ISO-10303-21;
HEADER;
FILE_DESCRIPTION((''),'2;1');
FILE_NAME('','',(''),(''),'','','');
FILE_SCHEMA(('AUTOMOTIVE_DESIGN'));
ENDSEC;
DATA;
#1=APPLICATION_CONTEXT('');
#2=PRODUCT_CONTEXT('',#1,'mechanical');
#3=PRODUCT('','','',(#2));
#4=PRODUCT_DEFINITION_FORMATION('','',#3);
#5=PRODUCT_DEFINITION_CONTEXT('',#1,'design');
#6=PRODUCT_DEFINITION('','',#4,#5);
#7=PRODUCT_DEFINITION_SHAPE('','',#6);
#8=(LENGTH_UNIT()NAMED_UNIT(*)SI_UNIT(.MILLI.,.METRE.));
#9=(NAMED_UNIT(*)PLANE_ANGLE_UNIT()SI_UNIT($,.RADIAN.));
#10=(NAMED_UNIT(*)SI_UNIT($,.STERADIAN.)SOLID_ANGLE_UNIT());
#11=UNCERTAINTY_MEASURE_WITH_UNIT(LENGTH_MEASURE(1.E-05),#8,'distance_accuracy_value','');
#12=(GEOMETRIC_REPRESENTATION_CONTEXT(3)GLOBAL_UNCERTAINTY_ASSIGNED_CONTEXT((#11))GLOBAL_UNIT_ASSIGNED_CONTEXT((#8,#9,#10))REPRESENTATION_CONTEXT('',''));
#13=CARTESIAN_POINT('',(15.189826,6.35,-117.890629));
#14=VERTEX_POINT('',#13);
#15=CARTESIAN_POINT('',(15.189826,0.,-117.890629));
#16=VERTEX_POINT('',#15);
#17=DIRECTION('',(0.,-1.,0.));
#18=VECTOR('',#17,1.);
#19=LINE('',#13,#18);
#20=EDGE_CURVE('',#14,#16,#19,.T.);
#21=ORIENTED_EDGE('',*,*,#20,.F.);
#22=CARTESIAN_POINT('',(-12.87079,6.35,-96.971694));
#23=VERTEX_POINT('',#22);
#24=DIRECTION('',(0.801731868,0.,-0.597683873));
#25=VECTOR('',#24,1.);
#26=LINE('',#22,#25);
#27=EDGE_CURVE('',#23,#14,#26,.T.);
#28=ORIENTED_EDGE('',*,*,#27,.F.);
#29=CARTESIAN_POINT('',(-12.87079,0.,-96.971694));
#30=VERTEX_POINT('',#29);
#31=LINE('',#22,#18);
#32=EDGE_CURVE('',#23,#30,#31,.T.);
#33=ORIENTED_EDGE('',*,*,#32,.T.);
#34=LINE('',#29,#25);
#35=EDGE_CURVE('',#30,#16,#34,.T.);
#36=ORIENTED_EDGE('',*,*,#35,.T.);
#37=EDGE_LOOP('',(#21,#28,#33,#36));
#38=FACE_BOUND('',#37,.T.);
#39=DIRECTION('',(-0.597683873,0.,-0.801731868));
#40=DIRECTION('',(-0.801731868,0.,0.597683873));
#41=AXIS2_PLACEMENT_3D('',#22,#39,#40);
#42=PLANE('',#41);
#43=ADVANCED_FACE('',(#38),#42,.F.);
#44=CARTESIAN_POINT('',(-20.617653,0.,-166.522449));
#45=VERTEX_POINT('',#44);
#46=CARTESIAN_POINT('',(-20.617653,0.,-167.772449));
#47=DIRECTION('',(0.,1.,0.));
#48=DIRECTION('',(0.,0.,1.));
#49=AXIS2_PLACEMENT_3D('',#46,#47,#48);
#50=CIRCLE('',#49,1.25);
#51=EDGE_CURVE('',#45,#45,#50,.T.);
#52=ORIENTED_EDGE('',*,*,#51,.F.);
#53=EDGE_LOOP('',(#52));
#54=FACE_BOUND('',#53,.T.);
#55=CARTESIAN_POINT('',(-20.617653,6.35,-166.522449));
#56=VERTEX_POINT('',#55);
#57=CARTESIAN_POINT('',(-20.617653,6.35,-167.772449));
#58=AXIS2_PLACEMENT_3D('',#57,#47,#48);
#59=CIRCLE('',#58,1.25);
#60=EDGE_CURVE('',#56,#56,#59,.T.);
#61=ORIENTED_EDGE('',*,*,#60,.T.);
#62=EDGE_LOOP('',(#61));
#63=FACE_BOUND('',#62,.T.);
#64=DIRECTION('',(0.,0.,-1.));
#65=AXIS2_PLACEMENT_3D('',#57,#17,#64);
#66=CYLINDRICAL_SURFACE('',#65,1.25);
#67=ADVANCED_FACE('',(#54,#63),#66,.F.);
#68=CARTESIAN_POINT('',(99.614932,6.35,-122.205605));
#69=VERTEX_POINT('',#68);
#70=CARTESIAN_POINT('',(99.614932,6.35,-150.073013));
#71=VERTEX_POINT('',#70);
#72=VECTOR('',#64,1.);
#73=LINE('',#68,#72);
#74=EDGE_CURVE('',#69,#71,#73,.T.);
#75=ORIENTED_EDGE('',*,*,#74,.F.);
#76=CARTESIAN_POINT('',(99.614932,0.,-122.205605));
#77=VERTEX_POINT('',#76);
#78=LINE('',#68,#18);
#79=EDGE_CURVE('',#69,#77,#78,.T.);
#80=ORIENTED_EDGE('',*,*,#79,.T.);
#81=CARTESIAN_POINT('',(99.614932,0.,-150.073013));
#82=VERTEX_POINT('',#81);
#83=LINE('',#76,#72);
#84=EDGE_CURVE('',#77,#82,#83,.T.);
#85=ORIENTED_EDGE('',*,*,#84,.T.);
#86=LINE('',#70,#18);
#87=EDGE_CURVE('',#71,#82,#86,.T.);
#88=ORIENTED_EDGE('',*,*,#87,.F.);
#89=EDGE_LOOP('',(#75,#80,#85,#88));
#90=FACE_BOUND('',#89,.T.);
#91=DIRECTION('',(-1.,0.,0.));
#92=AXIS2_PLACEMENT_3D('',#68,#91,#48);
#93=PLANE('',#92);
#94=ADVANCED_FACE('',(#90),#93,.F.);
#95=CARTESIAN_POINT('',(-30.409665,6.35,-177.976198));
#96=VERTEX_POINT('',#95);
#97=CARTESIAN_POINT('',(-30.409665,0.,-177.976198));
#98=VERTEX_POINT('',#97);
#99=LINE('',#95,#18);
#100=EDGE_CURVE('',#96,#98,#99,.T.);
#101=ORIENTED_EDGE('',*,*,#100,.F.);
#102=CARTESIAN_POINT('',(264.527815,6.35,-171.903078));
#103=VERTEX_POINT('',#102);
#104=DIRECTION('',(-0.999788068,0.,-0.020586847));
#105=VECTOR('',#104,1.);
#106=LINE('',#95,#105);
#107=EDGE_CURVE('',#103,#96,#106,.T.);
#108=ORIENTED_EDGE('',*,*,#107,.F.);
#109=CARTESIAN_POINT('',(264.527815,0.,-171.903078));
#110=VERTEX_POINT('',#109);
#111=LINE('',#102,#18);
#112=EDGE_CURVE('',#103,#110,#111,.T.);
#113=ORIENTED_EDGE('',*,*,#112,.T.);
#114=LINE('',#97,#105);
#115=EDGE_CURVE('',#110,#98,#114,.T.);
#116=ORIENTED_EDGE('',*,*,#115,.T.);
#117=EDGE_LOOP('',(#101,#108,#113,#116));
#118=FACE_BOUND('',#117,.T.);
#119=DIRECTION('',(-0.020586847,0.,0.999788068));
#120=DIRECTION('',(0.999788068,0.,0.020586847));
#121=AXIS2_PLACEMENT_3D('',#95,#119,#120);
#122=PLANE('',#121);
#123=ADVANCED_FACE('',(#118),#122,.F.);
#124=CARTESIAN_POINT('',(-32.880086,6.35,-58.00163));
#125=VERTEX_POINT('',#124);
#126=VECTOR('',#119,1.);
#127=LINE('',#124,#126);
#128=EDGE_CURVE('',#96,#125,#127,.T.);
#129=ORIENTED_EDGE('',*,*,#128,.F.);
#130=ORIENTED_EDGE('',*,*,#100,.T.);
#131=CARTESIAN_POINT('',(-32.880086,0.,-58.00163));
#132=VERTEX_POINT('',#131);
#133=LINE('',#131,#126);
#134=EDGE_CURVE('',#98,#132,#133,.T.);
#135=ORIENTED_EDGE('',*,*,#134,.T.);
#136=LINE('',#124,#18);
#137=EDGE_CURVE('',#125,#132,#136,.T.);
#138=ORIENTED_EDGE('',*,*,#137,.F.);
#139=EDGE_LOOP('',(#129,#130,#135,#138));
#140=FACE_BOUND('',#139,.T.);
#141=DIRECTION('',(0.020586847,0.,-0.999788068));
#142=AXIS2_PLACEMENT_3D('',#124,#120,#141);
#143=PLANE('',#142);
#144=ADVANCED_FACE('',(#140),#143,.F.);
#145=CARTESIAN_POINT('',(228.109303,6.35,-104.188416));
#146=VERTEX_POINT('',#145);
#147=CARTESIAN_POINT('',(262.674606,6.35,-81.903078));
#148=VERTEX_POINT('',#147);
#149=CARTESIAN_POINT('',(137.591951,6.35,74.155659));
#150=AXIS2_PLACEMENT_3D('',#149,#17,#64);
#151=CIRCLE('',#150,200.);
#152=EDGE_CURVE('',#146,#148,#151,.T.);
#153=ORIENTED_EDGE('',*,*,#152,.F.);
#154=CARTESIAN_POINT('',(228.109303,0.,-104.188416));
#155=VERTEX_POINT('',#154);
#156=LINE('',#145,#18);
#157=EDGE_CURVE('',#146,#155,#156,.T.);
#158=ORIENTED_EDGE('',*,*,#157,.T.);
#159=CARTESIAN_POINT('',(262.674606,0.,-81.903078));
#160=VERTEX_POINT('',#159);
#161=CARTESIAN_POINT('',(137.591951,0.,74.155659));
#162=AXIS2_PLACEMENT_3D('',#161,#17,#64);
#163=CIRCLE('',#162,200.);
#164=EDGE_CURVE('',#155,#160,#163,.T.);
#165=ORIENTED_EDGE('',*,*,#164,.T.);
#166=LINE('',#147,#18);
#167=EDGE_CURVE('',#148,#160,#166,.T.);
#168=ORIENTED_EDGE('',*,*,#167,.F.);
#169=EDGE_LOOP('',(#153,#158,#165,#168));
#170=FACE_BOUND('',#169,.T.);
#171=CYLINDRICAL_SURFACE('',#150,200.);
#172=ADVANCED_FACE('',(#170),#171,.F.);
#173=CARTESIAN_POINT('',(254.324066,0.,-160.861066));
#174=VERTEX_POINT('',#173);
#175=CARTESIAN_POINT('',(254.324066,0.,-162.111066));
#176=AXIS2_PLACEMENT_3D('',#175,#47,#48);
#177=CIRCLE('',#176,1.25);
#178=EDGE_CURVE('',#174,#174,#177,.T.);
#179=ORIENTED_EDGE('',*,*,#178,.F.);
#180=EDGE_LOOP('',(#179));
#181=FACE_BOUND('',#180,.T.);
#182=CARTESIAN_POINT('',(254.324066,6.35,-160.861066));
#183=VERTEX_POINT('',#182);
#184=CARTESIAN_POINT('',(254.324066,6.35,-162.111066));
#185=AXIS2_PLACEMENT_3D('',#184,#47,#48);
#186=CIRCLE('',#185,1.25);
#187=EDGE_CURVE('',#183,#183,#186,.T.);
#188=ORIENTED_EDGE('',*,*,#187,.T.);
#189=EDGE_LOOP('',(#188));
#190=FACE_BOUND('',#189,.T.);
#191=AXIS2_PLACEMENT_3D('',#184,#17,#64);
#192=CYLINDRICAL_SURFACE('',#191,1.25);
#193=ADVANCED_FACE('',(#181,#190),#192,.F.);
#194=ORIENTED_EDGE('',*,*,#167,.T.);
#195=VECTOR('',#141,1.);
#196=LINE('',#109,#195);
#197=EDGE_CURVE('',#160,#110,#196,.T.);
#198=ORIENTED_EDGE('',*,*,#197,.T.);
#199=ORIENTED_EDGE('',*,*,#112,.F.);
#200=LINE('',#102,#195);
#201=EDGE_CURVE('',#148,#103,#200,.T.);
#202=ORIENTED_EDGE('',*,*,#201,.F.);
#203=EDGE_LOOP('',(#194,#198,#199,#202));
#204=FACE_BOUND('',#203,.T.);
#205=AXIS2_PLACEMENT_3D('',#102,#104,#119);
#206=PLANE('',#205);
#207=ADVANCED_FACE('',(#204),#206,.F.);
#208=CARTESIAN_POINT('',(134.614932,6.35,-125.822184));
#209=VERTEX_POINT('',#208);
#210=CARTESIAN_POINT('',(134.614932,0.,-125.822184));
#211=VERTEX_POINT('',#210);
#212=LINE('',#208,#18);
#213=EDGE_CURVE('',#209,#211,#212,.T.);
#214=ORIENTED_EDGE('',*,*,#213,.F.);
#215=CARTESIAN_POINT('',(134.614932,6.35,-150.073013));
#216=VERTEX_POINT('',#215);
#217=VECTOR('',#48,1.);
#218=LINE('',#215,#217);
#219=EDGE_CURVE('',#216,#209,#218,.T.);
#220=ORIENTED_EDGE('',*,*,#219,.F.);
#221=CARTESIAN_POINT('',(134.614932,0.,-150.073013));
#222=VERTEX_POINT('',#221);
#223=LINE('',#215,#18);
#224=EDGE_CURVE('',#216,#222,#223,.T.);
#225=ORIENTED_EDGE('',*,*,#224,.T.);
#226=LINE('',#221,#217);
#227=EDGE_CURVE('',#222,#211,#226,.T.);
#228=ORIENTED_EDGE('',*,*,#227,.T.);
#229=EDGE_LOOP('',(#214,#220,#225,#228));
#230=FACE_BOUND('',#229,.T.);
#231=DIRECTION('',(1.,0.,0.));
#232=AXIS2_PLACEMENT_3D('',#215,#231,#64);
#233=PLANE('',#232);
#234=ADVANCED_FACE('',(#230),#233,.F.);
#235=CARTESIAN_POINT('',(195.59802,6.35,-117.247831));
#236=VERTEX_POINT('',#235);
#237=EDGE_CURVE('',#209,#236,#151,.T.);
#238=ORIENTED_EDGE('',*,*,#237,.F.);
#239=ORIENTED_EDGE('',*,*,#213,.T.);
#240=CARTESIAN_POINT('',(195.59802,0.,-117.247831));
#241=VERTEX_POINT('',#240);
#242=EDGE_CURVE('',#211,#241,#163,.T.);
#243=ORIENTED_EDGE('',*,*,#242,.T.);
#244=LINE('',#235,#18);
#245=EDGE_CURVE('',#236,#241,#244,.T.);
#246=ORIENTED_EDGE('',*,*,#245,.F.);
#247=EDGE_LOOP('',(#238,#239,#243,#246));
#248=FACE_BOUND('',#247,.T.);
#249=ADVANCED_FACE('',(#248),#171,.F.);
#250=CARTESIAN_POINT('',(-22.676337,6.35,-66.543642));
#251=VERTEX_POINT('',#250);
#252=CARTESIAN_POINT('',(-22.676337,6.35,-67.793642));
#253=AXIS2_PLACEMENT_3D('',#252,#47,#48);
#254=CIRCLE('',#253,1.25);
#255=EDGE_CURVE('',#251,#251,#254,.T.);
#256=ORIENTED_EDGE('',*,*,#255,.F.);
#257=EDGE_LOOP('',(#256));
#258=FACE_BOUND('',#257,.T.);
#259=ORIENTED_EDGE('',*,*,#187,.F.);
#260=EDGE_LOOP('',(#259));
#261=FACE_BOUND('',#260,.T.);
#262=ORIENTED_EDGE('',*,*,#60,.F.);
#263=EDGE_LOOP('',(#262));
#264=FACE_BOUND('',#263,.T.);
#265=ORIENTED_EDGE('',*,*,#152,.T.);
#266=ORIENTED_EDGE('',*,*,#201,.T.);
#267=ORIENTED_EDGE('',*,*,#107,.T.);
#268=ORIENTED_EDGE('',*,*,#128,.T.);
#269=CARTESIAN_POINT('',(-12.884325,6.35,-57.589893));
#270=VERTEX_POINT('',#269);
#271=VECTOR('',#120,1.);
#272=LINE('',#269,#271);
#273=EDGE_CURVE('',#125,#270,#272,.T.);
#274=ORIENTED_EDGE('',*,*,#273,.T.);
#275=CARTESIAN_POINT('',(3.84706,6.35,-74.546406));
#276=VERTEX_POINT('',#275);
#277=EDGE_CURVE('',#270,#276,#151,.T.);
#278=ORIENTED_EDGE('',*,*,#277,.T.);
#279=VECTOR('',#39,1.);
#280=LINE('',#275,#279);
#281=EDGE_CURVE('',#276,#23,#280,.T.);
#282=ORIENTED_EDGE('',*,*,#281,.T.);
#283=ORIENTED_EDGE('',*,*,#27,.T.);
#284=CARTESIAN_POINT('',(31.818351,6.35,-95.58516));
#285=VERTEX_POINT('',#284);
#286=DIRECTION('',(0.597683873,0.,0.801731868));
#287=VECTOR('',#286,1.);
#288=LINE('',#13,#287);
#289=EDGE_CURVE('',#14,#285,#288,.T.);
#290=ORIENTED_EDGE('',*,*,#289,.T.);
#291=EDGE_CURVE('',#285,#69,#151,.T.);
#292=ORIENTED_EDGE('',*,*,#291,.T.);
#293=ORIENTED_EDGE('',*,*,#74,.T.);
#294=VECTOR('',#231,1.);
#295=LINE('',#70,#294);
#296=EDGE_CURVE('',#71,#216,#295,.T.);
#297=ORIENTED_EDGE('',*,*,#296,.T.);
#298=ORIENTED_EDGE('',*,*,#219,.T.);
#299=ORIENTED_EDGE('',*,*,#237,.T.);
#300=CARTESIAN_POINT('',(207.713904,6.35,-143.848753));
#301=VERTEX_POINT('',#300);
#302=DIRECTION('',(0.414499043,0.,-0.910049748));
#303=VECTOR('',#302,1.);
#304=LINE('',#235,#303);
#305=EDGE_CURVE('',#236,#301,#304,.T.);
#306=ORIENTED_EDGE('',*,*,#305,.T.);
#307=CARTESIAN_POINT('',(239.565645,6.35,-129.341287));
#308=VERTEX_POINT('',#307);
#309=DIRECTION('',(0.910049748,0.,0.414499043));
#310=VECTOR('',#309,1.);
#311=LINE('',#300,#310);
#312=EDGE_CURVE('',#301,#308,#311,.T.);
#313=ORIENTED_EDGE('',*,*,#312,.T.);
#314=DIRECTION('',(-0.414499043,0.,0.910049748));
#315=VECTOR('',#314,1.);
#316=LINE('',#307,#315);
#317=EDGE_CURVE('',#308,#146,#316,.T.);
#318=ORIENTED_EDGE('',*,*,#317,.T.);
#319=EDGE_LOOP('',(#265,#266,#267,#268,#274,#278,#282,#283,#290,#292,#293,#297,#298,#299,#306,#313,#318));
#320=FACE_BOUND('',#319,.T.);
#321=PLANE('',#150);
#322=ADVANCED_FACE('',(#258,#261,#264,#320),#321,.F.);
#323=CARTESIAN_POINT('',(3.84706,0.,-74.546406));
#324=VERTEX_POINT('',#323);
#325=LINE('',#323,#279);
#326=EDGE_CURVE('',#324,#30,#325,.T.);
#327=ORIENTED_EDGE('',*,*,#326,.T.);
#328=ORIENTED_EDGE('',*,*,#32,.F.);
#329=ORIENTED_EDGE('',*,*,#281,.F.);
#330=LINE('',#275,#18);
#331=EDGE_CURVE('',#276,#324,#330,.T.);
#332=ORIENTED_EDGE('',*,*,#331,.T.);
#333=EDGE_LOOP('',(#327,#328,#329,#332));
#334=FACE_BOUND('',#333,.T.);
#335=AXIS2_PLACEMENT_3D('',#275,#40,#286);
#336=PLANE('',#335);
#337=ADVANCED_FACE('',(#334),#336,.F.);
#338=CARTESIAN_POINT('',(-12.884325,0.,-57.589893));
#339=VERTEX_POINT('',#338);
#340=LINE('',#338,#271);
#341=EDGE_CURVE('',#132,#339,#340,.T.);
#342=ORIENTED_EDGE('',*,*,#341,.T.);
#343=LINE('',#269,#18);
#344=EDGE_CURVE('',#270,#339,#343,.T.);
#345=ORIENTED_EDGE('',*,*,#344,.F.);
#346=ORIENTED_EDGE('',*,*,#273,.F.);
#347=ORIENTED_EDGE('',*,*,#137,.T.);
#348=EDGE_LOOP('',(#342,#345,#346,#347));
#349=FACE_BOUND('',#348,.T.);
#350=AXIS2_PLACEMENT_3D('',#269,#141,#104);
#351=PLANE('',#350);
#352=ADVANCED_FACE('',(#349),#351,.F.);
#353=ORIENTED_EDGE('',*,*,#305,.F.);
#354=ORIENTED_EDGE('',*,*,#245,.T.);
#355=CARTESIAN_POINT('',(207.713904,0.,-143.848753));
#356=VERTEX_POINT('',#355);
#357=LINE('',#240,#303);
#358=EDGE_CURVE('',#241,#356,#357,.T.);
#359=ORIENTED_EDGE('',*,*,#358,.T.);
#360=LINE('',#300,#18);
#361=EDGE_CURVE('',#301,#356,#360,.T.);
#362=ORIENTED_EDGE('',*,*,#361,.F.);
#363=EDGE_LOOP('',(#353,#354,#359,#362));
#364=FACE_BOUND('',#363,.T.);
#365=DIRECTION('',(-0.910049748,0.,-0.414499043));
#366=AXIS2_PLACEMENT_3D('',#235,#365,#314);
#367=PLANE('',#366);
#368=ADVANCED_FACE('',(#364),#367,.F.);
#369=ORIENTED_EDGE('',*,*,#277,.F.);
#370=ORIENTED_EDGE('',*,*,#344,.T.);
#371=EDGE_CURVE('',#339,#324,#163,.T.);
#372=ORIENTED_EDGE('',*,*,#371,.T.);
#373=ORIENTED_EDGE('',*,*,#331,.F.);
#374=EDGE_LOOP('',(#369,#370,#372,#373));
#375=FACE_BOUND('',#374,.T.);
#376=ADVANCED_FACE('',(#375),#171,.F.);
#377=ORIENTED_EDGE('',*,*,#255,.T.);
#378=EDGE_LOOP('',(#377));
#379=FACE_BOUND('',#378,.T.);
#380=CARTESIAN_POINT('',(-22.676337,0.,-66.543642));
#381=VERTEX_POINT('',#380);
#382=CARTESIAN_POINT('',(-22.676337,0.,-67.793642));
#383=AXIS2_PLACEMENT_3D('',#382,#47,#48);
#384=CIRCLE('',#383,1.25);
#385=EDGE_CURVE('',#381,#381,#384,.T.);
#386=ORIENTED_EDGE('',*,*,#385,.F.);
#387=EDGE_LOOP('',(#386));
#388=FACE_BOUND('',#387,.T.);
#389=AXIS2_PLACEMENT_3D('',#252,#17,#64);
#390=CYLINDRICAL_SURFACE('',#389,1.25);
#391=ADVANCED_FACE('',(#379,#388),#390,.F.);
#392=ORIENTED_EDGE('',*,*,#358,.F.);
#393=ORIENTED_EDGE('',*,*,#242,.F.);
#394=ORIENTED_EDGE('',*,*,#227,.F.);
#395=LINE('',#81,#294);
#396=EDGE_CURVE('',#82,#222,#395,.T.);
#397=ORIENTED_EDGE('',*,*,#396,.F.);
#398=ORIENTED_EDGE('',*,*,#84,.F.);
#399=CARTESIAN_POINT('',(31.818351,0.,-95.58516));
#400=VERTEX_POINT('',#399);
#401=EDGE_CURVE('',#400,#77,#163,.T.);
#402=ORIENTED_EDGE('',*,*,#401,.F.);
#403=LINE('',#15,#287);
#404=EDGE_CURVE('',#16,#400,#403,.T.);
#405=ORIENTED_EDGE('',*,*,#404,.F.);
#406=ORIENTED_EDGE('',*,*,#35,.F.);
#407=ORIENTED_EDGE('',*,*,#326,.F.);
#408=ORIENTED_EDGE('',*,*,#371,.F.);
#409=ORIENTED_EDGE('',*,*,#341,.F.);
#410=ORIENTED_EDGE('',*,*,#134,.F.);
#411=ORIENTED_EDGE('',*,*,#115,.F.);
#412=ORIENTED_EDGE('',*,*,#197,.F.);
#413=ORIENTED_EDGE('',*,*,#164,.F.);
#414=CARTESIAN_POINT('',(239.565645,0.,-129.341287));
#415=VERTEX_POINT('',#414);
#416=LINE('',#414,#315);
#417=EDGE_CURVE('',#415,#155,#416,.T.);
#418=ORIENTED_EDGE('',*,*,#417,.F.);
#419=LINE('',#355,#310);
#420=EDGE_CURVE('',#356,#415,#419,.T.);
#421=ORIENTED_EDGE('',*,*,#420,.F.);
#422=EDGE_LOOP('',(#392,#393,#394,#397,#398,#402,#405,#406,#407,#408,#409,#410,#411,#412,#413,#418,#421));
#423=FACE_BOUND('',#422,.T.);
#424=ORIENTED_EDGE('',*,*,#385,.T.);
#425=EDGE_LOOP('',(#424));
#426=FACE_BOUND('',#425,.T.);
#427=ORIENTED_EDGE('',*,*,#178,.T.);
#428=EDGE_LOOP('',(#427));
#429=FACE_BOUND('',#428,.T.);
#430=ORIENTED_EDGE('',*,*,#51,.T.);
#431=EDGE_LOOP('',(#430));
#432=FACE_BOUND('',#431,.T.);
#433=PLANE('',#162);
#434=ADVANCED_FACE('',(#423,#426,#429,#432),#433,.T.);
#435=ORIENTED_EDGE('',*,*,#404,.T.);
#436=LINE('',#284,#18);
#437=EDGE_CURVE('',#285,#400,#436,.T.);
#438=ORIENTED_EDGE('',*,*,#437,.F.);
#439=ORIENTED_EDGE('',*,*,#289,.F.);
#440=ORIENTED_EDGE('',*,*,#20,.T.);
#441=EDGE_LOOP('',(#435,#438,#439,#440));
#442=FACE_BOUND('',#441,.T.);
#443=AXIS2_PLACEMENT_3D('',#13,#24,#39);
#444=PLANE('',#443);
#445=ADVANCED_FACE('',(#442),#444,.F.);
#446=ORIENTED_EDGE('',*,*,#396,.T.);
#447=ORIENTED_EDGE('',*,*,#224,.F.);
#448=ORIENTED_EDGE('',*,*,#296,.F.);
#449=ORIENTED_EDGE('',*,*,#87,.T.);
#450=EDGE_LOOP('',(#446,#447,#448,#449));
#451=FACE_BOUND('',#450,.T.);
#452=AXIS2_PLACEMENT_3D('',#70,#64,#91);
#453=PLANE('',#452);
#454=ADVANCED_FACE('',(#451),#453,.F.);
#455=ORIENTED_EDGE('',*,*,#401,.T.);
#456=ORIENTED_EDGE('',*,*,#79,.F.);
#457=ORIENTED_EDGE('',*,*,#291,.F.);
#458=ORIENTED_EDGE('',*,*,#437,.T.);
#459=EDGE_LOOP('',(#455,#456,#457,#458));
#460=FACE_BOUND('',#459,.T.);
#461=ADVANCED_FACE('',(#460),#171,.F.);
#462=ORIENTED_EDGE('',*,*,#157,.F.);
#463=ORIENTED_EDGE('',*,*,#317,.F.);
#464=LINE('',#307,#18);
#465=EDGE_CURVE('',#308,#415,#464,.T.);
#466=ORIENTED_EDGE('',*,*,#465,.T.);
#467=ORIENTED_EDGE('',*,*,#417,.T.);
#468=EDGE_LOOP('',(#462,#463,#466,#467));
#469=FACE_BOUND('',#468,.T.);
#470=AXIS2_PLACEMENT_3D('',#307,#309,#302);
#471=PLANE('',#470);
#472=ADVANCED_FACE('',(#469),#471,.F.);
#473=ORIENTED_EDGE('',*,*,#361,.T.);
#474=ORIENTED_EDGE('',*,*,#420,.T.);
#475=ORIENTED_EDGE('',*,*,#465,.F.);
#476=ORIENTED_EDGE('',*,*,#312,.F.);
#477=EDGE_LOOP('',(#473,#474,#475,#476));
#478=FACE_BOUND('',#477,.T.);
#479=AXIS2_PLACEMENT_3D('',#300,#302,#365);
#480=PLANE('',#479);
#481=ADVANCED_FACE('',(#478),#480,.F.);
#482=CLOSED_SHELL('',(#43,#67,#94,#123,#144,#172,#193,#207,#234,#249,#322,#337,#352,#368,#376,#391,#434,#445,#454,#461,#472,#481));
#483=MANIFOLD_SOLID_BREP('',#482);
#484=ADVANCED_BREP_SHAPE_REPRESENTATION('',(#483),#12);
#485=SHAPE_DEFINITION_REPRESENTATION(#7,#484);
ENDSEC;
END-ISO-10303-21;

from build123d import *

# Parameters (mm, degrees)
SKETCH1_R           = 1.25
BOSS_EXTRUDE1_DEPTH = 6.35


with BuildPart() as part:
    # Sketch1 → Boss-Extrude1 (new body)
    with BuildSketch(Plane(origin=(0, 0, 0), x_dir=(1, 0, 0), z_dir=(0, 1, 0))):
        with BuildLine():
            Line((-12.884325045, 57.589892951), (-32.880086413, 58.0016299))
            Line((-32.880086413, 58.0016299), (-30.409664718, 177.976198108))
            Line((-30.409664718, 177.976198108), (264.52781546, 171.903078107))
            Line((264.52781546, 171.903078107), (262.674606435, 81.903078107))
            ThreePointArc((262.674606435, 81.903078107), (245.966301841, 93.936578204), (228.109303454, 104.188415872))
            Line((228.109303454, 104.188415872), (239.565645069, 129.341286502))
            Line((239.565645069, 129.341286502), (207.713903894, 143.848752998))
            Line((207.713903894, 143.848752998), (195.598020496, 117.247831174))
            ThreePointArc((195.598020496, 117.247831174), (165.438476431, 123.896281605), (134.614931972, 125.822183564))
            Line((134.614931972, 125.822183564), (134.614931972, 150.073013143))
            Line((134.614931972, 150.073013143), (99.614931972, 150.073013143))
            Line((99.614931972, 150.073013143), (99.614931972, 122.205605467))
            ThreePointArc((99.614931972, 122.205605467), (64.494604203, 112.00765114), (31.818351454, 95.585160423))
            Line((31.818351454, 95.585160423), (15.189825734, 117.890629233))
            Line((15.189825734, 117.890629233), (-12.870789642, 96.971693679))
            Line((-12.870789642, 96.971693679), (3.847059798, 74.546406222))
            ThreePointArc((3.847059798, 74.546406222), (-4.771312567, 66.317474746), (-12.884325045, 57.589892951))
        make_face()
        with Locations(Location((-20.617652508, 167.77244895, 0), (0, 0, 270))):
            Circle(SKETCH1_R, mode=Mode.SUBTRACT)
        with Locations(Location((254.324066301, 162.111065898, 0), (0, 0, 270))):
            Circle(SKETCH1_R, mode=Mode.SUBTRACT)
        with Locations(Location((-22.676337254, 67.79364211, 0), (0, 0, 270))):
            Circle(SKETCH1_R, mode=Mode.SUBTRACT)
    extrude(amount=BOSS_EXTRUDE1_DEPTH)


solid = part.part
